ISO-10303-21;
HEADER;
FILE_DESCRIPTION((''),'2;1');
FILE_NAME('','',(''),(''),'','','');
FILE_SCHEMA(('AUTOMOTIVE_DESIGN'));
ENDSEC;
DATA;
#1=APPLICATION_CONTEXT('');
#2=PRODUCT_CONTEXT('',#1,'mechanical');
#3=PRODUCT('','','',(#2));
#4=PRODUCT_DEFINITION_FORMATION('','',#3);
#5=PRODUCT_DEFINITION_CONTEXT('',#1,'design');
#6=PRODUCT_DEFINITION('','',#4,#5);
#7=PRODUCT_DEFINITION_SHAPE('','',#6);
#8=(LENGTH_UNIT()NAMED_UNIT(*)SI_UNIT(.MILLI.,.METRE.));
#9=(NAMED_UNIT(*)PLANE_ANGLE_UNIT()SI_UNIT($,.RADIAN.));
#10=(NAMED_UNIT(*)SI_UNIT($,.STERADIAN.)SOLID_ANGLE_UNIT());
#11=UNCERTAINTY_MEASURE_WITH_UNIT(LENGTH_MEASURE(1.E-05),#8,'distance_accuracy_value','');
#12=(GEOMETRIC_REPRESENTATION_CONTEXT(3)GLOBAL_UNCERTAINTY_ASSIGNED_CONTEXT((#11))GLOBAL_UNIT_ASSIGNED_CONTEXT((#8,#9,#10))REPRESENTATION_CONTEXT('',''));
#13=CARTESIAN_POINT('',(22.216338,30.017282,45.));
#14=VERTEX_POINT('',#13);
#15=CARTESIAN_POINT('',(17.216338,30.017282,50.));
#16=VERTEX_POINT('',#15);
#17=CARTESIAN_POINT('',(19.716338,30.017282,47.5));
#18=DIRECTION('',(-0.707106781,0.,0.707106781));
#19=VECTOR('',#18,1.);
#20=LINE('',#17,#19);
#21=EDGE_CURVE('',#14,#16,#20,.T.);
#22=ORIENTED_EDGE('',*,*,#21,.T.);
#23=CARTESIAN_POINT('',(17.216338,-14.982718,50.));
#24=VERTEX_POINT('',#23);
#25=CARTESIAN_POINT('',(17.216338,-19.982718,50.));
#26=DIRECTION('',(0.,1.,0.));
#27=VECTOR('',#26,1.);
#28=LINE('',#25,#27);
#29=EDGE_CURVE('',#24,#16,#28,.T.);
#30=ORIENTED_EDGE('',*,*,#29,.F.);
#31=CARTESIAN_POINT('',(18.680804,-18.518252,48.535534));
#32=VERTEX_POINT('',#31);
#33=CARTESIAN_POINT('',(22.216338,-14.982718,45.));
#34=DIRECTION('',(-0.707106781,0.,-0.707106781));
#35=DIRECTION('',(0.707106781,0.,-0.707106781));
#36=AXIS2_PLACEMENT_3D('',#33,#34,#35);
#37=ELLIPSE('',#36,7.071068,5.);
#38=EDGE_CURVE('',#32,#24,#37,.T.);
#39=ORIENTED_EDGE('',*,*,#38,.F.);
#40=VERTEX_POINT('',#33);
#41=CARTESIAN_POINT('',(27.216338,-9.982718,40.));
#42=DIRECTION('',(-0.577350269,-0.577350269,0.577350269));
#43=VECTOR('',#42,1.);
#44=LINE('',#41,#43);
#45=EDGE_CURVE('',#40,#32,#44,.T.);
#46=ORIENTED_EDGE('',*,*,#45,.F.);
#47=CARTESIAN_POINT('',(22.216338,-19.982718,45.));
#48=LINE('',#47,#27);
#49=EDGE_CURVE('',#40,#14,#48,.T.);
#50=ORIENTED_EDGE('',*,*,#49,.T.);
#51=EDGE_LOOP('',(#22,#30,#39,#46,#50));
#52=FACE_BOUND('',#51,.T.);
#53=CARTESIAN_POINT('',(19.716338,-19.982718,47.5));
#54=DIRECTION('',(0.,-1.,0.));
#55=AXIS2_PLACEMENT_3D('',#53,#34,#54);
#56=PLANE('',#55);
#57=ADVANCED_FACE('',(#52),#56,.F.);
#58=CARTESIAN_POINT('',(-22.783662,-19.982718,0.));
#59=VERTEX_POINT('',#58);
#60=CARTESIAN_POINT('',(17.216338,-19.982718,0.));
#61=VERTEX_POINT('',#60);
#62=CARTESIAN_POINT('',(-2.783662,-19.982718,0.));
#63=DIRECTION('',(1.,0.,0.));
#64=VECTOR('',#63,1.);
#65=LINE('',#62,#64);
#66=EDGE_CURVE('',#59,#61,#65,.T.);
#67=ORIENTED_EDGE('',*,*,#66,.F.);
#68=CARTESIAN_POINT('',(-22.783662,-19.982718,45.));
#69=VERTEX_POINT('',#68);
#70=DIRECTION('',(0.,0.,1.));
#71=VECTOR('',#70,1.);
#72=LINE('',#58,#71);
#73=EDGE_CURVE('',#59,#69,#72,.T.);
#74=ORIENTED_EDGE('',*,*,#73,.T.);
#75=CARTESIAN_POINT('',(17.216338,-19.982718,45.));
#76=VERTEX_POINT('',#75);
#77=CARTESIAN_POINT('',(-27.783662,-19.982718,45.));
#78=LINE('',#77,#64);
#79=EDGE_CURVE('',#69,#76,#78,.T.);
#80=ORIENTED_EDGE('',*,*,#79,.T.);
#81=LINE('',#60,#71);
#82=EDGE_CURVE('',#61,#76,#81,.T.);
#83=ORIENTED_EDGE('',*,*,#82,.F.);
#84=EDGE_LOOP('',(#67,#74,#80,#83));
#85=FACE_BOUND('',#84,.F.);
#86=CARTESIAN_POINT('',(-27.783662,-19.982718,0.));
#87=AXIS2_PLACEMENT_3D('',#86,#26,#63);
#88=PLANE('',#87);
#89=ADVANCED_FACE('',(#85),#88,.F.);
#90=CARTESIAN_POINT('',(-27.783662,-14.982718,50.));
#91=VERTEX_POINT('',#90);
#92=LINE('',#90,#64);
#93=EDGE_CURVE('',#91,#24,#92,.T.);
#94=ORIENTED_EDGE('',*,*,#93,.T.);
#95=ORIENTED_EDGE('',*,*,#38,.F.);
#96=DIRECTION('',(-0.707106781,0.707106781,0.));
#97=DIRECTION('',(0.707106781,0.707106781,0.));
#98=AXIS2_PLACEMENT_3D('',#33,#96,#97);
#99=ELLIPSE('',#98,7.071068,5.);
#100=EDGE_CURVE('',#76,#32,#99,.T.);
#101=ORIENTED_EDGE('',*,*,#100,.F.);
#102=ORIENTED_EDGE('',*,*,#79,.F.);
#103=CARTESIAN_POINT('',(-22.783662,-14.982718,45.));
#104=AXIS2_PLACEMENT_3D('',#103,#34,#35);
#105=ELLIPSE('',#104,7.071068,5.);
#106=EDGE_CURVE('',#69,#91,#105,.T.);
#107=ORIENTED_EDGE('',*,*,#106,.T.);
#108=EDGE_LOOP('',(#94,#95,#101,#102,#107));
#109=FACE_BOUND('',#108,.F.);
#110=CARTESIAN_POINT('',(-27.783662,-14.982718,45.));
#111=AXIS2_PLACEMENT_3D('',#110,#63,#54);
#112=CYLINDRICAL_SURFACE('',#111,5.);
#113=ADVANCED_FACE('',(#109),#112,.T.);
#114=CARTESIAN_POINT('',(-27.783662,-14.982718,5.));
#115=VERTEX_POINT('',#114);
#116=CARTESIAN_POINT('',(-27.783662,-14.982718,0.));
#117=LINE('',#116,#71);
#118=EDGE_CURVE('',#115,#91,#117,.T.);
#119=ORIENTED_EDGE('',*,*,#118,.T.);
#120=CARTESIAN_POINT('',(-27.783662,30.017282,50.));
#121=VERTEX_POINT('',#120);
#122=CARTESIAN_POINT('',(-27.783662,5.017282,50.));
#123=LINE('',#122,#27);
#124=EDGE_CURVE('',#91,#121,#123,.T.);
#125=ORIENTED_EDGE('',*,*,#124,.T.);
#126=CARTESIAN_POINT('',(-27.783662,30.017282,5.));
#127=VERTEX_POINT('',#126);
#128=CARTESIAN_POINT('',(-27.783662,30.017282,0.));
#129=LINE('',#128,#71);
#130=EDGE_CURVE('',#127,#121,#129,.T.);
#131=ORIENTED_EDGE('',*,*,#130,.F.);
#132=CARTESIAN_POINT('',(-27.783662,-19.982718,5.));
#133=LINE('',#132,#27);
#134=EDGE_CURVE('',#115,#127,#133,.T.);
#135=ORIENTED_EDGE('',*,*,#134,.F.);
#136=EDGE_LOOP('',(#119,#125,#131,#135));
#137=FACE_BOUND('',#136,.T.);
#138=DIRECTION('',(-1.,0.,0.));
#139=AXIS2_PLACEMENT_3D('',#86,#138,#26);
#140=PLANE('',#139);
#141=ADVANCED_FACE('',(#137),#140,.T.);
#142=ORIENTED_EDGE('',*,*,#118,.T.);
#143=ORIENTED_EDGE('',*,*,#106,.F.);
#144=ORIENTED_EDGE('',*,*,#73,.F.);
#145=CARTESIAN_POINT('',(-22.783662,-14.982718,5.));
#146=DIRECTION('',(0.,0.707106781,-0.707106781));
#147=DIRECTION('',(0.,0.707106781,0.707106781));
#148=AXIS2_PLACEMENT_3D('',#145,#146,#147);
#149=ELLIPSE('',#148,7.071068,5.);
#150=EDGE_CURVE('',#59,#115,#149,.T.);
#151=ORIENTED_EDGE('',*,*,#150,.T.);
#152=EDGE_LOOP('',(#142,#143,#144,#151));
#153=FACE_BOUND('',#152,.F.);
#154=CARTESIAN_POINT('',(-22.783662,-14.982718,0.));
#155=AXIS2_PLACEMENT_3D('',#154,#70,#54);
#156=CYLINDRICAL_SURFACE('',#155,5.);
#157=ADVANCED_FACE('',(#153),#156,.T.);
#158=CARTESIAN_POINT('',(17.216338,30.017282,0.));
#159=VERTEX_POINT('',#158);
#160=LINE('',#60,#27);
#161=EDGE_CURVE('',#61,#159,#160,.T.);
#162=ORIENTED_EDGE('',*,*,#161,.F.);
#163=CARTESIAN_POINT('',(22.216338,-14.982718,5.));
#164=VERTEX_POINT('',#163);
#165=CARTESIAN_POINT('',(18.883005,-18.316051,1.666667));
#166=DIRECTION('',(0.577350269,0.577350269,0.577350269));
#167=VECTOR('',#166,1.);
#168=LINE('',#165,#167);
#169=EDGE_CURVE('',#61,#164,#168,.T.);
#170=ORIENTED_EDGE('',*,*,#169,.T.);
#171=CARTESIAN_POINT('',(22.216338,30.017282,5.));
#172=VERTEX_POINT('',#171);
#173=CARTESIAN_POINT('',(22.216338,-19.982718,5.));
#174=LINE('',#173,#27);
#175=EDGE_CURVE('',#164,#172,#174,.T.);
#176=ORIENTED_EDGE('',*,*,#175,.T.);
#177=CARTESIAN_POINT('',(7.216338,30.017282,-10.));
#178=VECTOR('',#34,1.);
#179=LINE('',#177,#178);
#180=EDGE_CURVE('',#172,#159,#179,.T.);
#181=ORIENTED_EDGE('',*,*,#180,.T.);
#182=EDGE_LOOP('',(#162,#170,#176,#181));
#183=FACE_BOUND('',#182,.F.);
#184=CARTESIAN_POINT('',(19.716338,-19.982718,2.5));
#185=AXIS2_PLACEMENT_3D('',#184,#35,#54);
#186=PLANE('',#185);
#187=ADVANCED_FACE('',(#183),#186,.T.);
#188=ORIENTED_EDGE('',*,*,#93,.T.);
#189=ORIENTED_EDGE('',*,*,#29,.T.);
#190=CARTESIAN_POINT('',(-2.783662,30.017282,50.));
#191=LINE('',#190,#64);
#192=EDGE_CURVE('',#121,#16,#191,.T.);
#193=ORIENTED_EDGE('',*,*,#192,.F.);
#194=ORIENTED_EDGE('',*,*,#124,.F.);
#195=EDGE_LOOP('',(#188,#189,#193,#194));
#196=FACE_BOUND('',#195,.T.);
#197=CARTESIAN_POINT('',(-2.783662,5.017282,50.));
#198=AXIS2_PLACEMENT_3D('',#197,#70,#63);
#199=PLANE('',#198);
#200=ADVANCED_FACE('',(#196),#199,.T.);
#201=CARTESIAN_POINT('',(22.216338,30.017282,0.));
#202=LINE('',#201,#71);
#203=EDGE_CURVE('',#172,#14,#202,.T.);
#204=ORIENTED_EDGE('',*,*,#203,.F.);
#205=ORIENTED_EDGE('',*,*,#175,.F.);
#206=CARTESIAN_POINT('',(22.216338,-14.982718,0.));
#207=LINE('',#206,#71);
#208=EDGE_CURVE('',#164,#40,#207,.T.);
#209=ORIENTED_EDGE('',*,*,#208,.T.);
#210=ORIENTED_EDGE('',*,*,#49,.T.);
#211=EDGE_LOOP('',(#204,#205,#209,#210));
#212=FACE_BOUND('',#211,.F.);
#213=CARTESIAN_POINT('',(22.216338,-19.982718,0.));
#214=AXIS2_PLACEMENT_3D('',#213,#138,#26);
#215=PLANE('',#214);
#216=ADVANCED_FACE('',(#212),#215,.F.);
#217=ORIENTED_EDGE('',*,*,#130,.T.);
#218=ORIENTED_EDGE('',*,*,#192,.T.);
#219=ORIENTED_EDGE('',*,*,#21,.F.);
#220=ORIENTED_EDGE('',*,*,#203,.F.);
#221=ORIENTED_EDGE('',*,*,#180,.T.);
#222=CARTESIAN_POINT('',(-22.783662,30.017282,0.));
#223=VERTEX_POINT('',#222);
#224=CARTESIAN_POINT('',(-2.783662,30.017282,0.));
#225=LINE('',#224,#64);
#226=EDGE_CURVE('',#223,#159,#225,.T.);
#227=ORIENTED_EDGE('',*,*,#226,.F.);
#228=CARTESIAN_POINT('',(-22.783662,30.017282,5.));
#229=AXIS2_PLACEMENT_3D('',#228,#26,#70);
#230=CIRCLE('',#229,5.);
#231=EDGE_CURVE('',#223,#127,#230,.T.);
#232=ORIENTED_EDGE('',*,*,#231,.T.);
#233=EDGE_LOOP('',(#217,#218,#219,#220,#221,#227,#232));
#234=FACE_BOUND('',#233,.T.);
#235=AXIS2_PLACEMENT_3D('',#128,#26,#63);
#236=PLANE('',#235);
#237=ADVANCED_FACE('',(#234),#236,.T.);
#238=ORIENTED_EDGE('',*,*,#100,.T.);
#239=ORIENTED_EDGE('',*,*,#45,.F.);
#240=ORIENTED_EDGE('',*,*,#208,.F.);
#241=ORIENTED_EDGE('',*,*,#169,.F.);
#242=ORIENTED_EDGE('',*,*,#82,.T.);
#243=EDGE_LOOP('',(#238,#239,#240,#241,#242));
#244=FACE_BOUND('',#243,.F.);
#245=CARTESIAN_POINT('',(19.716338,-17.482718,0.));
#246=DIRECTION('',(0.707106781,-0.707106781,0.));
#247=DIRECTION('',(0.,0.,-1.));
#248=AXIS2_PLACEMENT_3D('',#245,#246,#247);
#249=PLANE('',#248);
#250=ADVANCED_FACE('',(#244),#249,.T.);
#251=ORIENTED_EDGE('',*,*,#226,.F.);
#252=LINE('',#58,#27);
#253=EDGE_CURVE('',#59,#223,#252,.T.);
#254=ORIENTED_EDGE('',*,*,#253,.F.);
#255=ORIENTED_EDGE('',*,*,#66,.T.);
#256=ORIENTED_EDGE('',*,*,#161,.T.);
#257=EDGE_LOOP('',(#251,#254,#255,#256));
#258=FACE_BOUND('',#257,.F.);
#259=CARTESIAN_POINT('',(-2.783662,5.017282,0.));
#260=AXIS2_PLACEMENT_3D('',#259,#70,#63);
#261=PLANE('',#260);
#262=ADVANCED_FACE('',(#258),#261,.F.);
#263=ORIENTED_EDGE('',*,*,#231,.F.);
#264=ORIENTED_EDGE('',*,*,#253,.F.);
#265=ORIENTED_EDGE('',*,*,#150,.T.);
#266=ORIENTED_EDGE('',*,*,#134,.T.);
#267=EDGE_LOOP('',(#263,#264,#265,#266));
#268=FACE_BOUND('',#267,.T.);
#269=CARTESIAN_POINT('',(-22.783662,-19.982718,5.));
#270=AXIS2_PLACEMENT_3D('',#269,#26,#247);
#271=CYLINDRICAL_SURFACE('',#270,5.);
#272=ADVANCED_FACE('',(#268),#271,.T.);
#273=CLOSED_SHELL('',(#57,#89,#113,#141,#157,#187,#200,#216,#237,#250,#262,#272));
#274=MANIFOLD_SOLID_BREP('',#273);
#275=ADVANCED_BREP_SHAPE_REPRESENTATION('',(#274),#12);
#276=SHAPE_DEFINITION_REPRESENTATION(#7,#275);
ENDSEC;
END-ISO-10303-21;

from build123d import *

# Parameters (mm, degrees)
F0_W     = 50
F0_H     = 50
F1_DEPTH = 50
F2_SIZE  = 5
F3_R     = 5


with BuildPart() as f1:
    # F0 (on Top) → F1 (new body)
    with BuildSketch(Plane.XY):
        with Locations((-2.783662, 5.017282)):
            Rectangle(F0_W, F0_H)
    extrude(amount=F1_DEPTH)

    # F2
    f2_edges = [f1.edges().sort_by_distance(p)[0] for p in [
        (22.216338, 5.017282, 50),
        (22.216338, -19.982718, 25),
        (22.216338, 5.017282, 0),
    ]]
    chamfer(f2_edges, length=F2_SIZE)

    # F3
    f3_edges = [f1.edges().sort_by_distance(p)[0] for p in [
        (-5.283662, -19.982718, 50),
        (-27.783662, -19.982718, 25),
        (-27.783662, 5.017282, 0),
    ]]
    fillet(f3_edges, radius=F3_R)


solid = f1.part
